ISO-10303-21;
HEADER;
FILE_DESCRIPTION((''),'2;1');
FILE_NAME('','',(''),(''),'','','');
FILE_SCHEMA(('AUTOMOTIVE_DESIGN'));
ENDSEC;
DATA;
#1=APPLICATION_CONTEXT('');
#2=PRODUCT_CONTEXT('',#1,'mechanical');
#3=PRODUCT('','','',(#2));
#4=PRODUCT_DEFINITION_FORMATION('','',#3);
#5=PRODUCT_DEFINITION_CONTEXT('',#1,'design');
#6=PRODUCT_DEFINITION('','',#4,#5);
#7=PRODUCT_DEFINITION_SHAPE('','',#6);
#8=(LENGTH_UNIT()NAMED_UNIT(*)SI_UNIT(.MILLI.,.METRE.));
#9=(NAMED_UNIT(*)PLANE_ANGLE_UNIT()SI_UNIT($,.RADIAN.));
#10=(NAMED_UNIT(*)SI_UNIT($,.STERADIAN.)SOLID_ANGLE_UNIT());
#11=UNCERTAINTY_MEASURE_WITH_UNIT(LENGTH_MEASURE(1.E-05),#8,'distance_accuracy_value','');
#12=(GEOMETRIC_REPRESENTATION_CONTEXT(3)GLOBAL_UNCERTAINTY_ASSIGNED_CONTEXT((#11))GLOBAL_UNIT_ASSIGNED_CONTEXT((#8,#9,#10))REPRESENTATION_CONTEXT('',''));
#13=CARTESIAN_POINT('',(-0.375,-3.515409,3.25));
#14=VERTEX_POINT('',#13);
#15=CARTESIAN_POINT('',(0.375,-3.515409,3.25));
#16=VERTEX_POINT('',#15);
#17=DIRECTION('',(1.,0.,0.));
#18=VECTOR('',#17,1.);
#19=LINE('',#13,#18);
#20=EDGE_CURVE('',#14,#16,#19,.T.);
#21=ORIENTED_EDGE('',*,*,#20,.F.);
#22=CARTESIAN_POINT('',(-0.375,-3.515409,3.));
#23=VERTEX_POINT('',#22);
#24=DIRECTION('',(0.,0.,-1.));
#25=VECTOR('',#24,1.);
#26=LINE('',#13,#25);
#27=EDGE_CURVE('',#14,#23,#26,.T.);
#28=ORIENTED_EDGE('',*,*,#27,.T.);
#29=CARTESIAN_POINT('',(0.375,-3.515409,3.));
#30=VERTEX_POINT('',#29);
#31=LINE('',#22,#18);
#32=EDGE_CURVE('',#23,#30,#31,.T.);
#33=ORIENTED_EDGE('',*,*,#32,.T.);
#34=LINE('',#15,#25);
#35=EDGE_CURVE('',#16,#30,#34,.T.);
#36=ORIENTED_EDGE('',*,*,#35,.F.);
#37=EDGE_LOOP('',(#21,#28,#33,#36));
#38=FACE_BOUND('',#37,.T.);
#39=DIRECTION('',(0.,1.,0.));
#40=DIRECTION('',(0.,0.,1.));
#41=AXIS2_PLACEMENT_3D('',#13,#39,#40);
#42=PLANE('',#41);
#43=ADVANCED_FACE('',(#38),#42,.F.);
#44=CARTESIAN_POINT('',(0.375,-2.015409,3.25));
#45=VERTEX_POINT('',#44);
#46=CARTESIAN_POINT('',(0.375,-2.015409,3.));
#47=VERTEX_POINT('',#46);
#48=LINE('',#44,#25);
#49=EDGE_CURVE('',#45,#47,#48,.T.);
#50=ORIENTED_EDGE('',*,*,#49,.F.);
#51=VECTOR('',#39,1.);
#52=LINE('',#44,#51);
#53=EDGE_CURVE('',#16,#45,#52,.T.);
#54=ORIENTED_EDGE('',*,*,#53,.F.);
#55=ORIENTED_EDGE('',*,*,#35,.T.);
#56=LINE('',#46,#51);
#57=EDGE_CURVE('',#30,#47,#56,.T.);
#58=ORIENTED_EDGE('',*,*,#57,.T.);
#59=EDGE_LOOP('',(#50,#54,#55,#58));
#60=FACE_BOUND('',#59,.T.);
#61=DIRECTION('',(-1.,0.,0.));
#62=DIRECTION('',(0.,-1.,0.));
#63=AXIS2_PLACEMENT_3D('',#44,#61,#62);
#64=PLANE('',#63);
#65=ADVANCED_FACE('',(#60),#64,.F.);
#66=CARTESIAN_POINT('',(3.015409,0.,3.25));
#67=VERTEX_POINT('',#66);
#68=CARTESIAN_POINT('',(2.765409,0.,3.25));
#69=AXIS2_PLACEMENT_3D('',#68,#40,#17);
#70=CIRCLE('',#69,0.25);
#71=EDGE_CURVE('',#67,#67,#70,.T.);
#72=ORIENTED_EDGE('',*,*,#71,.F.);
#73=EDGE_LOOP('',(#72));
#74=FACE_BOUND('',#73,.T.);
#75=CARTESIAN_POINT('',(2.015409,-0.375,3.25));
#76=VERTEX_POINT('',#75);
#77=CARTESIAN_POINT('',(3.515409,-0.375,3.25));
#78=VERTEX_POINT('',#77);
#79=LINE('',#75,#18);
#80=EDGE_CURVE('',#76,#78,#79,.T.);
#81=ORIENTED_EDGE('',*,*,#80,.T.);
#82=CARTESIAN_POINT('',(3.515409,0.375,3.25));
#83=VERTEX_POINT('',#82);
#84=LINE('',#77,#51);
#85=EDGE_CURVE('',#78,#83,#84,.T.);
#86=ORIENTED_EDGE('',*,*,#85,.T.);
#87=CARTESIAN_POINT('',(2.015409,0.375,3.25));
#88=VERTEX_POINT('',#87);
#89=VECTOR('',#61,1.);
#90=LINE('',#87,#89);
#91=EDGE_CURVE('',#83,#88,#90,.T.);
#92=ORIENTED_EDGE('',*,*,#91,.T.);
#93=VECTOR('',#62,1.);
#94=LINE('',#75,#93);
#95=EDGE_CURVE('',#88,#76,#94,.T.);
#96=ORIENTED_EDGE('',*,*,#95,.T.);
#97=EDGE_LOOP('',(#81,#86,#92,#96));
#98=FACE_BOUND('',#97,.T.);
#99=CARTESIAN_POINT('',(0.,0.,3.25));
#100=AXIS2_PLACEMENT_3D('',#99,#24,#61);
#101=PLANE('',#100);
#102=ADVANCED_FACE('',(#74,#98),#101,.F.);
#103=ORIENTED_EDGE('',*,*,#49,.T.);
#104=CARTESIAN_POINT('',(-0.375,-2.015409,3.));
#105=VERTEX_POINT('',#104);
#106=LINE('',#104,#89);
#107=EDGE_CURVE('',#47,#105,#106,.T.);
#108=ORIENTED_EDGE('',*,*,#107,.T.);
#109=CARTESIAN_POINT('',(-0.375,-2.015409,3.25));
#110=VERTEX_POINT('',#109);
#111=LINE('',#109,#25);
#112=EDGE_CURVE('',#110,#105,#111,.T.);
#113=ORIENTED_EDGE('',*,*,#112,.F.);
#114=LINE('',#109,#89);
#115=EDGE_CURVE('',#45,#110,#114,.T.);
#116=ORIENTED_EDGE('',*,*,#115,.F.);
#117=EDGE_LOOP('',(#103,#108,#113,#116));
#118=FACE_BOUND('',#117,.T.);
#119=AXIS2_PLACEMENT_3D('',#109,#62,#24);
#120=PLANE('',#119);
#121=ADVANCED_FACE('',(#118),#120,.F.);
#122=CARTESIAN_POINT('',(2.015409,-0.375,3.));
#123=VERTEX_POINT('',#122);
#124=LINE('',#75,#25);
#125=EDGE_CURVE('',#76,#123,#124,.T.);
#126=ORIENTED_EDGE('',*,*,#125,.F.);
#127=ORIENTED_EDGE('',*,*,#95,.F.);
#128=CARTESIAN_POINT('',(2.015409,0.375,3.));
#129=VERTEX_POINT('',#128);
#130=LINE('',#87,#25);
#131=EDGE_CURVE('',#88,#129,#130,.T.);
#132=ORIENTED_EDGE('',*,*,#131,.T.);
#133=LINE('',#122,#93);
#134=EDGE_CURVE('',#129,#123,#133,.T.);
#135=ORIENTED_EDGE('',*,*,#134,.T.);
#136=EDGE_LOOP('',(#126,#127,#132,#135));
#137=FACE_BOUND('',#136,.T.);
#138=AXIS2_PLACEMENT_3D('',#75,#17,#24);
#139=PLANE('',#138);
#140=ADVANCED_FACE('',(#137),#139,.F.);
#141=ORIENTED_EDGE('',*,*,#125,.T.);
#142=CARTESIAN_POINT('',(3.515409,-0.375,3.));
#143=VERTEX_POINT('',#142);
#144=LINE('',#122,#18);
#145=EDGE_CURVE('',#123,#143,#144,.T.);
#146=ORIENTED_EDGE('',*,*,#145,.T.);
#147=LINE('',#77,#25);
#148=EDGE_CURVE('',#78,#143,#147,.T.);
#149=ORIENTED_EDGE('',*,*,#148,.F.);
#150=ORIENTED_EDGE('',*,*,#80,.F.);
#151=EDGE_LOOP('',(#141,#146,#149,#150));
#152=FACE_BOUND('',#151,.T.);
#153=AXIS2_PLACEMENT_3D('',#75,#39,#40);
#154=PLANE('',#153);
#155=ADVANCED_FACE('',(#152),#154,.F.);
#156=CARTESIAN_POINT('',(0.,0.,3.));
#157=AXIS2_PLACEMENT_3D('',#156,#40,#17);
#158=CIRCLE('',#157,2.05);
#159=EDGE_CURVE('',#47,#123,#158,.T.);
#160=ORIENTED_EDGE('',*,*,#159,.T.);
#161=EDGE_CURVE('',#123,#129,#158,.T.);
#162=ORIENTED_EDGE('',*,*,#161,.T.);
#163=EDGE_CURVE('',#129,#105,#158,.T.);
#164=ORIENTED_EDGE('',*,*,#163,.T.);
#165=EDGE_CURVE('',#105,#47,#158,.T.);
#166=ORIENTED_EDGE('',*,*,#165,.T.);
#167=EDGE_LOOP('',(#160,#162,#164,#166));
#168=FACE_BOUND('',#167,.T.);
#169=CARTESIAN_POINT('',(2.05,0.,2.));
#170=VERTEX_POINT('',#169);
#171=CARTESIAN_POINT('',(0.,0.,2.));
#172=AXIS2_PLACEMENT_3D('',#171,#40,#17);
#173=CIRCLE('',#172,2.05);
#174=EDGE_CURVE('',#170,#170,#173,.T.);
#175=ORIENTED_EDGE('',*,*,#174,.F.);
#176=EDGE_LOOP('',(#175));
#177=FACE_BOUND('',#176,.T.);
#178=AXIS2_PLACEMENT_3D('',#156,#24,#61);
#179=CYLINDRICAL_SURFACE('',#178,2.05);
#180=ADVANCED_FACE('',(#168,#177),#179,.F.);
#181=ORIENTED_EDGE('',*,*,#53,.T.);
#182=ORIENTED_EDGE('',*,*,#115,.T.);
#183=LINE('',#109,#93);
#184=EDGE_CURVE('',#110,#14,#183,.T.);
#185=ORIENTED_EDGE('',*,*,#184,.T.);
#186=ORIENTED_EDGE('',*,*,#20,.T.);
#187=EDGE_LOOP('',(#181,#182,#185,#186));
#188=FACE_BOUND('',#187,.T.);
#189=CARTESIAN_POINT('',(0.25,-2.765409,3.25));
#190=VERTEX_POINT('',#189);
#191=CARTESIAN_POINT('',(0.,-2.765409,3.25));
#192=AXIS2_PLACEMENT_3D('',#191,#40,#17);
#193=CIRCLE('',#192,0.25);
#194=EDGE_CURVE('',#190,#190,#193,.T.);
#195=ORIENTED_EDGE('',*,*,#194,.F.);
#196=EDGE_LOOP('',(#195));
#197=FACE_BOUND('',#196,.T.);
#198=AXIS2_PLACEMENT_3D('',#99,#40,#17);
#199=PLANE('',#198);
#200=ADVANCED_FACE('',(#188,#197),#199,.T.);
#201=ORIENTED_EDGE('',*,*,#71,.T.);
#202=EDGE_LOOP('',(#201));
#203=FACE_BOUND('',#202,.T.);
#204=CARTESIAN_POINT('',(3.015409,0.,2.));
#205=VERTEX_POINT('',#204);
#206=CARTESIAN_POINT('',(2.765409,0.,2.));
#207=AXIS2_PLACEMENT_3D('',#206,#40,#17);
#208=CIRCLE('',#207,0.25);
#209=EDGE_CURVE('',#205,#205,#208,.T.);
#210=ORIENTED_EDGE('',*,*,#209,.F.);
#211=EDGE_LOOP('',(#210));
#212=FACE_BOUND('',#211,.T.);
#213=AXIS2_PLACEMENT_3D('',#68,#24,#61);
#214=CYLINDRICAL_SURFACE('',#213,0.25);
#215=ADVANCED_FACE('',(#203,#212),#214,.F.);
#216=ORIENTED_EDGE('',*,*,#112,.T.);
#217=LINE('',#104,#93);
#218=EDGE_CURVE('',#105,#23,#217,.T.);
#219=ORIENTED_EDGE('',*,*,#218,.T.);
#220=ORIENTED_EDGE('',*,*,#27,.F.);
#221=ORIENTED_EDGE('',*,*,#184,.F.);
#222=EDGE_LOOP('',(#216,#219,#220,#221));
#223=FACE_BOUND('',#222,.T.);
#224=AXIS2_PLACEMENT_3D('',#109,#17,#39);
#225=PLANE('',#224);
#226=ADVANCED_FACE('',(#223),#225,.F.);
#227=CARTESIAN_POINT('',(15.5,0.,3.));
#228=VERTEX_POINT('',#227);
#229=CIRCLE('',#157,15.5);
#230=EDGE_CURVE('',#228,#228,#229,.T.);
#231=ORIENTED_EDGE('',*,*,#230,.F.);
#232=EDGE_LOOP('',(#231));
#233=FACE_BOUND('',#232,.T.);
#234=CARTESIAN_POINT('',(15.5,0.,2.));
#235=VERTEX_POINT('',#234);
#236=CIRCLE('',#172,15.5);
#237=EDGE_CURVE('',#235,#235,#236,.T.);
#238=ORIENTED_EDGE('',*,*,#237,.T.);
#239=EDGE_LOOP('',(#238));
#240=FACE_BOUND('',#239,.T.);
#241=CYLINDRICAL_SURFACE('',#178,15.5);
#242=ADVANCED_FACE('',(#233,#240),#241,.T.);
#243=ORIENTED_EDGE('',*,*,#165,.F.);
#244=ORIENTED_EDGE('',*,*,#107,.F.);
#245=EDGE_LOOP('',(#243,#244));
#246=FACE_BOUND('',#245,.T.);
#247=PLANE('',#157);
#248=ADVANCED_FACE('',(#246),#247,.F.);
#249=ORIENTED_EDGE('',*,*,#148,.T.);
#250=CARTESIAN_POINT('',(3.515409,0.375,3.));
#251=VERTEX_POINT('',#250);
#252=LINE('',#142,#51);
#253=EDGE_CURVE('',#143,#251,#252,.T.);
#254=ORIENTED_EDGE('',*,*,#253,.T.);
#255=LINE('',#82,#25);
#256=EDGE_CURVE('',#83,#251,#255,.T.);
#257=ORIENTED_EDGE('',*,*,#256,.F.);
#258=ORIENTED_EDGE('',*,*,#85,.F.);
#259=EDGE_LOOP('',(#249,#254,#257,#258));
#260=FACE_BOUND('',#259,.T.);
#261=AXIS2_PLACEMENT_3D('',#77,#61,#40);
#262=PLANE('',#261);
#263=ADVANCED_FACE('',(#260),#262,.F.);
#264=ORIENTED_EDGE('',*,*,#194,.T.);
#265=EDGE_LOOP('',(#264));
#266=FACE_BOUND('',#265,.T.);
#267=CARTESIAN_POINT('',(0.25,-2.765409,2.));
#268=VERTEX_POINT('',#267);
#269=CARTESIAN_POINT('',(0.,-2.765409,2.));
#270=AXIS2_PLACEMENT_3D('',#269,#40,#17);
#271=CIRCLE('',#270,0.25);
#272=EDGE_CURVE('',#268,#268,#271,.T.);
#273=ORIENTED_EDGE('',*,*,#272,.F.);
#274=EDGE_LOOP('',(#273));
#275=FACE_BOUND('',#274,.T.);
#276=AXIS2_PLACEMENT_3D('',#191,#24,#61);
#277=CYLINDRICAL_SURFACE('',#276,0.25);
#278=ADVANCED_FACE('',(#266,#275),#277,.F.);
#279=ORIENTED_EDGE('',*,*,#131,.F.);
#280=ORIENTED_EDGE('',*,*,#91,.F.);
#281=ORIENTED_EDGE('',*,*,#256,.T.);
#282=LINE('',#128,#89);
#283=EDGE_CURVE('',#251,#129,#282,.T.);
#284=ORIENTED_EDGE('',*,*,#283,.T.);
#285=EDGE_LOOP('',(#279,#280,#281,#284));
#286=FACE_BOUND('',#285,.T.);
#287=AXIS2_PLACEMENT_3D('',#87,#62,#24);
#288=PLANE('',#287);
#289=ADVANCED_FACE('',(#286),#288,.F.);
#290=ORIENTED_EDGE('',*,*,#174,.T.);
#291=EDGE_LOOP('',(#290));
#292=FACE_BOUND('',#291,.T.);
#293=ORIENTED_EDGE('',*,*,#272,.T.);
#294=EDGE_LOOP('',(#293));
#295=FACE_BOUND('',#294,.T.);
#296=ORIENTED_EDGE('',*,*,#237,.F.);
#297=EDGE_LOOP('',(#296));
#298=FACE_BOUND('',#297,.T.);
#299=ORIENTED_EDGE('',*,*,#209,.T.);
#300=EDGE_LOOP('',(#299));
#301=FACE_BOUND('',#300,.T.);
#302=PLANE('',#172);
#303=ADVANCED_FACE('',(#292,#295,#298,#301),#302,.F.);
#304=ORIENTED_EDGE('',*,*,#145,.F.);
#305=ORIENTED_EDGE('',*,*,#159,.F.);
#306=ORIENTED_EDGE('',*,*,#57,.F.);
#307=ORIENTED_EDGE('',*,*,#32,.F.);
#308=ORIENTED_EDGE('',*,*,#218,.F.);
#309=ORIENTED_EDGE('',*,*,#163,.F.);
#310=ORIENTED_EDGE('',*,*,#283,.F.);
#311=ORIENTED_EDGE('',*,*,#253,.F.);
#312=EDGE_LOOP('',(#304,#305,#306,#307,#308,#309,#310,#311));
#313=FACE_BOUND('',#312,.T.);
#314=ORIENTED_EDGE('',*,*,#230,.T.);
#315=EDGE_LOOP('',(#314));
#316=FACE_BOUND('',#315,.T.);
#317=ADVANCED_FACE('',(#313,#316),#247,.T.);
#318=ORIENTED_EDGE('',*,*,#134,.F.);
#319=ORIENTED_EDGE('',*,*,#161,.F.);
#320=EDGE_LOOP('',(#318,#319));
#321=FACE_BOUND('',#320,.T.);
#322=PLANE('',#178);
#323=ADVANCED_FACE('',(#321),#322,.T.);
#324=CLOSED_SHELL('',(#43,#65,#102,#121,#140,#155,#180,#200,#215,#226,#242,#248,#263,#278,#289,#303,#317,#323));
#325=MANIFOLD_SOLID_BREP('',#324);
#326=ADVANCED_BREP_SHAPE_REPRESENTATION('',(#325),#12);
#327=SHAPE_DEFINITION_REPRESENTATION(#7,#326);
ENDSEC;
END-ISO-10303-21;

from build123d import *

# Parameters (mm, degrees)
IZIM2_R                     = 15.5
IZIM2_R_2                   = 2.05
Y_KSEKLIK_EKSTR_ZYON1_DEPTH = 1
IZIM3_W                     = 1.5
IZIM3_H                     = 0.75
IZIM3_R                     = 0.25
IZIM3_W_2                   = 0.75
IZIM3_H_2                   = 1.5
Y_KSEKLIK_EKSTR_ZYON2_DEPTH = 0.25
KES_EKSTR_ZYON1_DEPTH       = 22.943108257
KES_EKSTR_ZYON1_DEPTH_BACK  = 22.943108257
IZIM3_3_R                   = 0.25


with BuildPart() as part:
    # Çizim2 → Yükseklik-Ekstrüzyon1 (new body)
    with BuildSketch(Plane.XY.offset(2)):
        Circle(IZIM2_R)
        Circle(IZIM2_R_2, mode=Mode.SUBTRACT)
    extrude(amount=Y_KSEKLIK_EKSTR_ZYON1_DEPTH)

    # Çizim3 → Yükseklik-Ekstrüzyon2 (add)
    # profile 1 of 2: a face of its own
    with BuildSketch(Plane.XY.offset(3)):
        with Locations((2.765409388, 0)):
            Rectangle(IZIM3_W, IZIM3_H)
        with Locations((2.765409388, 0)):
            Circle(IZIM3_R, mode=Mode.SUBTRACT)
    # profile 2 of 2: a face of its own
    with BuildSketch(Plane.XY.offset(3)):
        with Locations((0, -2.765409388)):
            Rectangle(IZIM3_W_2, IZIM3_H_2)
        with Locations((0, -2.765409388)):
            Circle(IZIM3_R, mode=Mode.SUBTRACT)
    extrude(amount=Y_KSEKLIK_EKSTR_ZYON2_DEPTH)

    # Çizim3<3> → Kes-Ekstrüzyon1 (cut, two sides: drawn at the far end of the back side and taken through both)
    with BuildSketch(Plane.XY.offset(3).offset(-KES_EKSTR_ZYON1_DEPTH_BACK)):
        with Locations((0, -2.765409388)):
            Circle(IZIM3_3_R)
        with Locations((2.765409388, 0)):
            Circle(IZIM3_3_R)
    extrude(amount=KES_EKSTR_ZYON1_DEPTH + KES_EKSTR_ZYON1_DEPTH_BACK, mode=Mode.SUBTRACT)


solid = part.part
